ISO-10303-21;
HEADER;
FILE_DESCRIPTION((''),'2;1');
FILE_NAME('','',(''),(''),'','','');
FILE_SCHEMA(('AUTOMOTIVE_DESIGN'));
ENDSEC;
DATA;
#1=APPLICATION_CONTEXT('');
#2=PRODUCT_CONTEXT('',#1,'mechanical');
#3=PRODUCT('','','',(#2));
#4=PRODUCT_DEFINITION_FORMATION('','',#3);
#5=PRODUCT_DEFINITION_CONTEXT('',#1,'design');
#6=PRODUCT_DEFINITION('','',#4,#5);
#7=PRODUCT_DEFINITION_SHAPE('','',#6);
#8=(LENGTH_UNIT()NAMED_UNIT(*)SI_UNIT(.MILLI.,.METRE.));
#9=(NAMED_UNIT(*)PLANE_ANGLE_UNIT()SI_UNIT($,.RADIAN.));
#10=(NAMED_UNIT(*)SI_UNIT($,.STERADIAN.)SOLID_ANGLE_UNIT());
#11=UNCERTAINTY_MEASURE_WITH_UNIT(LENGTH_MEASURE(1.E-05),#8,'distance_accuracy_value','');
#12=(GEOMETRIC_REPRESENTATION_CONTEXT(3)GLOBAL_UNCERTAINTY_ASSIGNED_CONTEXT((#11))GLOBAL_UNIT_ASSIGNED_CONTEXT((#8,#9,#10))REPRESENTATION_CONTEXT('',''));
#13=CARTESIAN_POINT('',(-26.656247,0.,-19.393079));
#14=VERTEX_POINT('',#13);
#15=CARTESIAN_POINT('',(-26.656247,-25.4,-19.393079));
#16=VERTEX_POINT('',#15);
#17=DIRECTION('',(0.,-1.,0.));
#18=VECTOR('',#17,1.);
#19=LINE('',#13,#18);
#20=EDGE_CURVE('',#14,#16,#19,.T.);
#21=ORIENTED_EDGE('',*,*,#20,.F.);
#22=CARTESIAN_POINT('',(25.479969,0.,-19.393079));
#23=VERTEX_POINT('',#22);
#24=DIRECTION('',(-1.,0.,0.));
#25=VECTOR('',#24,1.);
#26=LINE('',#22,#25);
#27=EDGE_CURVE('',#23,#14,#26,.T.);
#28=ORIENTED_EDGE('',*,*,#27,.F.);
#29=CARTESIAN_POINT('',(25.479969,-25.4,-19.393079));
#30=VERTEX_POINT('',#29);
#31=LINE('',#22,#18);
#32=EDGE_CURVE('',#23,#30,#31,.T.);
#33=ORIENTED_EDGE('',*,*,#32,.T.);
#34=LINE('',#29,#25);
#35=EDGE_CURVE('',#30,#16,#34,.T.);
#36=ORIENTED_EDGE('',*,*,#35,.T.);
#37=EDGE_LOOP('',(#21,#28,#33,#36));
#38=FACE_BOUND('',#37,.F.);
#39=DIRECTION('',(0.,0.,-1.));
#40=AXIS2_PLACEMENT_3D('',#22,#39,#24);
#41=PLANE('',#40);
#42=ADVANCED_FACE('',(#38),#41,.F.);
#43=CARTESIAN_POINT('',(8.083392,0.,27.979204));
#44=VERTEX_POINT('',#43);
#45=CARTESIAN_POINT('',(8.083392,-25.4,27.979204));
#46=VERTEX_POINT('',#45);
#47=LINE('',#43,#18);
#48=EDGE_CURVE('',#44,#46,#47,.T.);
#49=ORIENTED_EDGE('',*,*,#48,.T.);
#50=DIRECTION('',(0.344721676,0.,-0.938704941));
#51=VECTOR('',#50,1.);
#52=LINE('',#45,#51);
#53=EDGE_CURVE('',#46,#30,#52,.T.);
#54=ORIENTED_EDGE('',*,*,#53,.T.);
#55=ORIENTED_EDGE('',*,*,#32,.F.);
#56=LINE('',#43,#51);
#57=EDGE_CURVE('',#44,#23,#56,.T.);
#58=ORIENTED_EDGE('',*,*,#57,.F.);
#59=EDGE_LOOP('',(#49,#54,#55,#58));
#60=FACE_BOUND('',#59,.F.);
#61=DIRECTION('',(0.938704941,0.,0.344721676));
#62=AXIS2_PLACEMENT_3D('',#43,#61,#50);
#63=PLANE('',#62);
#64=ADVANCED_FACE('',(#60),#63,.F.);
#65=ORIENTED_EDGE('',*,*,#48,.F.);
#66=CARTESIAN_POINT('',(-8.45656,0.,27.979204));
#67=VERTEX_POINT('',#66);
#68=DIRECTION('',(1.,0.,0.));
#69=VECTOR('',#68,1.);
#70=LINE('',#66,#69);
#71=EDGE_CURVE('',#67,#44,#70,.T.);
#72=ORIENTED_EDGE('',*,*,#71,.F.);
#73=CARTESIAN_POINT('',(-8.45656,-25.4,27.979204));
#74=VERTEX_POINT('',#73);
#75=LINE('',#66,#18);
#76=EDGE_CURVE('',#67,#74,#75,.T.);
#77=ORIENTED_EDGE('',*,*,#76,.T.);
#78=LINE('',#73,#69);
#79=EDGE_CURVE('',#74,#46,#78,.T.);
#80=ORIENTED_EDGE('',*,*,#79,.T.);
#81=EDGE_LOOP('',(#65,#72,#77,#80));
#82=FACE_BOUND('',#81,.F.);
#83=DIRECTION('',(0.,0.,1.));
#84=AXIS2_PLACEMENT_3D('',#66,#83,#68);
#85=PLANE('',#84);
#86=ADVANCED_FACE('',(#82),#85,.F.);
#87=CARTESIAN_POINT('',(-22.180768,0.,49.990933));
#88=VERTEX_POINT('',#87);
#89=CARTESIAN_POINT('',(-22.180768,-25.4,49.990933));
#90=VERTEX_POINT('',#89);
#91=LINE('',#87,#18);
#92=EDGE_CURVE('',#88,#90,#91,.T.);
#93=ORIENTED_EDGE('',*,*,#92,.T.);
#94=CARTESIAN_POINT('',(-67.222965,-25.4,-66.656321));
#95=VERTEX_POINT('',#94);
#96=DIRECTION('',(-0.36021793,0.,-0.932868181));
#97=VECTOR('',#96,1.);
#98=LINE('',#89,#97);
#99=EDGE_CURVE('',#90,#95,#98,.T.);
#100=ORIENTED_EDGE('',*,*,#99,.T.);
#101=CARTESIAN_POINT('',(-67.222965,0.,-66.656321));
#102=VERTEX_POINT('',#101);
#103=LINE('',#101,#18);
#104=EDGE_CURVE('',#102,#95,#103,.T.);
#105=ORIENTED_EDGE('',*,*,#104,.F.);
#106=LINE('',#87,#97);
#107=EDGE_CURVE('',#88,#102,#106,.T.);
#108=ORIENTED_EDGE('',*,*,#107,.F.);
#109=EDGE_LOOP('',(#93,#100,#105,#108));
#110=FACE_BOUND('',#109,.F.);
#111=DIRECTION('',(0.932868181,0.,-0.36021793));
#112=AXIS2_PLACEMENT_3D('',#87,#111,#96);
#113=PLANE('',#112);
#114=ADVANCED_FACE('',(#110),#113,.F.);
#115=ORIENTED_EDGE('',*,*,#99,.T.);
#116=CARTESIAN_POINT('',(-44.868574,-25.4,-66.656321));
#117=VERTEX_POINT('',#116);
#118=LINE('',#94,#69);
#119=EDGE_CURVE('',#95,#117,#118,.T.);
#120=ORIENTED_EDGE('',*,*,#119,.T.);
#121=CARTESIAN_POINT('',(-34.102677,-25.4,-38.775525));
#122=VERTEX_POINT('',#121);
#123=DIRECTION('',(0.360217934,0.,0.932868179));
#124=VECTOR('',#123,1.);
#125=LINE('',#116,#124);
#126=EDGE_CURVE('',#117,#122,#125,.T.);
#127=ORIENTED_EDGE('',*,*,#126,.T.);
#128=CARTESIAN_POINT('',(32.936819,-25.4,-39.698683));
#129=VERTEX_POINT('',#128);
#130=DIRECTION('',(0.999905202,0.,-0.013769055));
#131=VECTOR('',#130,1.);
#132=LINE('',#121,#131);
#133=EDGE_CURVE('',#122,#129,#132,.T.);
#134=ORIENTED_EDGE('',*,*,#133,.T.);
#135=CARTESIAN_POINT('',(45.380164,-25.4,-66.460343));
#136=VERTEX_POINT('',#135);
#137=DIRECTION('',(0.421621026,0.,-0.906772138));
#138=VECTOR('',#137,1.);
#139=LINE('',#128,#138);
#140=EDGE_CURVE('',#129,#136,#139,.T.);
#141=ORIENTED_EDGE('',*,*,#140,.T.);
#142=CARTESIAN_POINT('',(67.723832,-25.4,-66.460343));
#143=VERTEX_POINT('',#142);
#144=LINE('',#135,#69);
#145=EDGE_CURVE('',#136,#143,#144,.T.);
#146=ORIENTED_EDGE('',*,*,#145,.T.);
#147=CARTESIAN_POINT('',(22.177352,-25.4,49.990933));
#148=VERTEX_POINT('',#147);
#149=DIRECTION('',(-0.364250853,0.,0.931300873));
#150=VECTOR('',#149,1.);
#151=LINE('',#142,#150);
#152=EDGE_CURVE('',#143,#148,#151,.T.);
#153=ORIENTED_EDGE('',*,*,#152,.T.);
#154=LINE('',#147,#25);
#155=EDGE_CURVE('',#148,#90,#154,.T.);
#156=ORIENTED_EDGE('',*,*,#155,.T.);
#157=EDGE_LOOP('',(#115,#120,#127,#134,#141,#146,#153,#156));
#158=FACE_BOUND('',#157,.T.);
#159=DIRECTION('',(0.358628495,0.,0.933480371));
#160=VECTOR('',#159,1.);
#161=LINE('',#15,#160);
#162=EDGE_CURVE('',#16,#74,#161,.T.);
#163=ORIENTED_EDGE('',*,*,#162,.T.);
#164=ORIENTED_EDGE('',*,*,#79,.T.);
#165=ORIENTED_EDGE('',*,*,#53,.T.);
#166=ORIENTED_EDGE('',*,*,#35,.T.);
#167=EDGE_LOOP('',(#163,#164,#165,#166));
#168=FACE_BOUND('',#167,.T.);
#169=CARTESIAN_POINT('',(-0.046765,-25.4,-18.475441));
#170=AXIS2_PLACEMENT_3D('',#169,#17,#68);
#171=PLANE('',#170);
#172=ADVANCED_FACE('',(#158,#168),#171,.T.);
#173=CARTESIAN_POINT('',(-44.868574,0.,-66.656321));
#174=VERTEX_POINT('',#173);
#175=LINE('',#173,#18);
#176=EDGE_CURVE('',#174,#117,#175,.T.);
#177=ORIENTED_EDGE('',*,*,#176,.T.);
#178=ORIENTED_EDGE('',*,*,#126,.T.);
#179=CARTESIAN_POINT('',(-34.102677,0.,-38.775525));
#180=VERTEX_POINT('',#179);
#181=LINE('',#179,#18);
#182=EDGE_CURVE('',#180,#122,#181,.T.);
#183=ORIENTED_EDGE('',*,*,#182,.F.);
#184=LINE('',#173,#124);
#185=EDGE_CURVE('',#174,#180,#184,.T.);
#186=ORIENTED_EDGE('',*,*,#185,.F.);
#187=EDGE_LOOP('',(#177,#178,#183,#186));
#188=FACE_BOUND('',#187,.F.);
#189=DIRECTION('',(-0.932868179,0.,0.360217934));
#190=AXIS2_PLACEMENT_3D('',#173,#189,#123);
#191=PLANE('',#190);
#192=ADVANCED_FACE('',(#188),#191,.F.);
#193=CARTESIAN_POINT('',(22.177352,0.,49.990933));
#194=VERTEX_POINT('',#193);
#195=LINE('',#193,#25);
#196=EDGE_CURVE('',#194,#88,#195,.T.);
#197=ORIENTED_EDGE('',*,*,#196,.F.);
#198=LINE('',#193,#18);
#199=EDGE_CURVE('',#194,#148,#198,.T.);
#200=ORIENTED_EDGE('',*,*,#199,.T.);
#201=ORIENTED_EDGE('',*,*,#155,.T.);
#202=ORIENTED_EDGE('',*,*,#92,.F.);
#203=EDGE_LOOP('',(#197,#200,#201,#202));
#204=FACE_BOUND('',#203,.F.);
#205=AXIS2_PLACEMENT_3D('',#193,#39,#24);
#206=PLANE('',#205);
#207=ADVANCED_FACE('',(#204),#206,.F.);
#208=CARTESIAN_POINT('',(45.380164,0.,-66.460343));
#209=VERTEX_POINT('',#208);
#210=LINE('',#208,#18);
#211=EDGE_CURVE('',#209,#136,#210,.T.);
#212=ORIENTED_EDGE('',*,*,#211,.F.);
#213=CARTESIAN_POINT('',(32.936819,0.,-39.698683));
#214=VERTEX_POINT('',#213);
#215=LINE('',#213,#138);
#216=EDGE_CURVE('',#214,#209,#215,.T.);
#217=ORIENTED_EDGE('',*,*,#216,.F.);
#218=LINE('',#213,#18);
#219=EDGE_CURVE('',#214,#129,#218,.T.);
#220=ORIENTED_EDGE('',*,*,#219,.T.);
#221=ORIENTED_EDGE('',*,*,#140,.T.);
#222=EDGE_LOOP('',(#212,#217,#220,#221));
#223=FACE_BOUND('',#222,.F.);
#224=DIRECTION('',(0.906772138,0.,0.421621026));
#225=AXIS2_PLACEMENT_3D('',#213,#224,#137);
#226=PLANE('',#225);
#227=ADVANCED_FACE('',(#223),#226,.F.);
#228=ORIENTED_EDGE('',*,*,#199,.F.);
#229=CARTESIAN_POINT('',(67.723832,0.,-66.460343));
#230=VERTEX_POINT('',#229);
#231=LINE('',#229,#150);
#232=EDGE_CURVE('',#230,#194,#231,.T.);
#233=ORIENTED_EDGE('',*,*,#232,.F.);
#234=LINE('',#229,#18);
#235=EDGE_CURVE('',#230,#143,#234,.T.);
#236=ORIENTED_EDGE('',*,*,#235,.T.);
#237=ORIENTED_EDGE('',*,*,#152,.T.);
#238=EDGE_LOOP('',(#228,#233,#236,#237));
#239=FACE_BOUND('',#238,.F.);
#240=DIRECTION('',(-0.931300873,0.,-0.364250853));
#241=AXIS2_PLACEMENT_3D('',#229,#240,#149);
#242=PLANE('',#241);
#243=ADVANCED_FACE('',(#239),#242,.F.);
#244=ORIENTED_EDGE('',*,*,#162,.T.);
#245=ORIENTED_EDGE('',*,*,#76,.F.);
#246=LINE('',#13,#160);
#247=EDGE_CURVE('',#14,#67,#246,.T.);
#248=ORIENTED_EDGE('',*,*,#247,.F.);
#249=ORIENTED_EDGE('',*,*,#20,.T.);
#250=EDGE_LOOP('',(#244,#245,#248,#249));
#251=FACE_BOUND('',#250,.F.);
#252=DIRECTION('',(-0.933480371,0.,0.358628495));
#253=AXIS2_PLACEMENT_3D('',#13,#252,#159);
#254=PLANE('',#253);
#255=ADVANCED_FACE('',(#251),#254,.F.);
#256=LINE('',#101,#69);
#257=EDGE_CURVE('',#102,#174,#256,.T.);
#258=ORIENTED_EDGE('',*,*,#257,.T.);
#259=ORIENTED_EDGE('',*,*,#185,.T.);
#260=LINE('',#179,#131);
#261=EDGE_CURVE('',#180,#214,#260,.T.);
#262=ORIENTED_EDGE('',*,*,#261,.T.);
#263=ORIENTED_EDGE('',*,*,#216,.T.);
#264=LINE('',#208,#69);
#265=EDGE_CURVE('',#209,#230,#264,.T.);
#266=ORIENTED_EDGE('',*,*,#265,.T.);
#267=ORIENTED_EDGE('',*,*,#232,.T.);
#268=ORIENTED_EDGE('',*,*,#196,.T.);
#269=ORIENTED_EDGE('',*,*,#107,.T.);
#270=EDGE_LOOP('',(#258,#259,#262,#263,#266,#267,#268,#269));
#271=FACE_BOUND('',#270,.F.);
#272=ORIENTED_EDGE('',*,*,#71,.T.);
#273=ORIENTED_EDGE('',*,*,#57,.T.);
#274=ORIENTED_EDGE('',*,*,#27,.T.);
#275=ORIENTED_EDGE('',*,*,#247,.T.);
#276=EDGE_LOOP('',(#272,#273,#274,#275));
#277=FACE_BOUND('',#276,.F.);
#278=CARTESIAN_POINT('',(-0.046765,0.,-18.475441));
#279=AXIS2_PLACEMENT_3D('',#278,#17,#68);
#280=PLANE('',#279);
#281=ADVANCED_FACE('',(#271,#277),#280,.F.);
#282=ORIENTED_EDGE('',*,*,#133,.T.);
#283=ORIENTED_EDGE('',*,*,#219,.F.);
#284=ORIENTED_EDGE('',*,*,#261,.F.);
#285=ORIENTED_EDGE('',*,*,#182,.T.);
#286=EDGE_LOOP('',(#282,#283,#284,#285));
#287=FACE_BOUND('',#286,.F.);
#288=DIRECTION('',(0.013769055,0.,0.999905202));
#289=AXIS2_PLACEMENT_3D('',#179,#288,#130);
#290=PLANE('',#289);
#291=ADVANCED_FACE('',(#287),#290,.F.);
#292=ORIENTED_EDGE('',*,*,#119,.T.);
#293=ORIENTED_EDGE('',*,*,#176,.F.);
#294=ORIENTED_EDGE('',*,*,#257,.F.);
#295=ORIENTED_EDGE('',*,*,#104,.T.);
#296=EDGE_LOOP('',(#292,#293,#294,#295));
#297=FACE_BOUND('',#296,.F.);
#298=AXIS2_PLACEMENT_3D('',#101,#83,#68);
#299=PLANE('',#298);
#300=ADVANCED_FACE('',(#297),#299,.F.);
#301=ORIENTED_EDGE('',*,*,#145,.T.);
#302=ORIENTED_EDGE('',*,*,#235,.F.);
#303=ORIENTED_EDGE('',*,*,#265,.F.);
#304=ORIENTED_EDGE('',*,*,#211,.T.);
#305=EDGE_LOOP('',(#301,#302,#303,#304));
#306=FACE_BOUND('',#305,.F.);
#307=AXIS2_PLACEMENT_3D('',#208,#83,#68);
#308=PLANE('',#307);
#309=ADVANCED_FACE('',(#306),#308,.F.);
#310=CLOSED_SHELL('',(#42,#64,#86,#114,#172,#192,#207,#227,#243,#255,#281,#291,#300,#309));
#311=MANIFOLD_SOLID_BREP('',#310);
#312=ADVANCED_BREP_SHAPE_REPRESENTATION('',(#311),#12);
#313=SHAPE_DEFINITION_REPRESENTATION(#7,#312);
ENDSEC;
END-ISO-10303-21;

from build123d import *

# Parameters (mm, degrees)
F1_DEPTH = 25.4


with BuildPart() as f1:
    # F0 (on Front) → F1 (new body)
    with BuildSketch(Plane.XZ):
        Polygon((-44.868574, -66.656321), (-34.102677, -38.775525), (32.936819, -39.698683), (45.380164, -66.460343), (67.723832, -66.460343), (22.177352, 49.990933), (0, 49.990933), (-22.180768, 49.990933), (-67.222965, -66.656321), align=None)
        Polygon((8.083392, 27.979204), (25.479969, -19.393079), (-26.656247, -19.393079), (-8.45656, 27.979204), align=None, mode=Mode.SUBTRACT)
    extrude(amount=F1_DEPTH)


solid = f1.part
